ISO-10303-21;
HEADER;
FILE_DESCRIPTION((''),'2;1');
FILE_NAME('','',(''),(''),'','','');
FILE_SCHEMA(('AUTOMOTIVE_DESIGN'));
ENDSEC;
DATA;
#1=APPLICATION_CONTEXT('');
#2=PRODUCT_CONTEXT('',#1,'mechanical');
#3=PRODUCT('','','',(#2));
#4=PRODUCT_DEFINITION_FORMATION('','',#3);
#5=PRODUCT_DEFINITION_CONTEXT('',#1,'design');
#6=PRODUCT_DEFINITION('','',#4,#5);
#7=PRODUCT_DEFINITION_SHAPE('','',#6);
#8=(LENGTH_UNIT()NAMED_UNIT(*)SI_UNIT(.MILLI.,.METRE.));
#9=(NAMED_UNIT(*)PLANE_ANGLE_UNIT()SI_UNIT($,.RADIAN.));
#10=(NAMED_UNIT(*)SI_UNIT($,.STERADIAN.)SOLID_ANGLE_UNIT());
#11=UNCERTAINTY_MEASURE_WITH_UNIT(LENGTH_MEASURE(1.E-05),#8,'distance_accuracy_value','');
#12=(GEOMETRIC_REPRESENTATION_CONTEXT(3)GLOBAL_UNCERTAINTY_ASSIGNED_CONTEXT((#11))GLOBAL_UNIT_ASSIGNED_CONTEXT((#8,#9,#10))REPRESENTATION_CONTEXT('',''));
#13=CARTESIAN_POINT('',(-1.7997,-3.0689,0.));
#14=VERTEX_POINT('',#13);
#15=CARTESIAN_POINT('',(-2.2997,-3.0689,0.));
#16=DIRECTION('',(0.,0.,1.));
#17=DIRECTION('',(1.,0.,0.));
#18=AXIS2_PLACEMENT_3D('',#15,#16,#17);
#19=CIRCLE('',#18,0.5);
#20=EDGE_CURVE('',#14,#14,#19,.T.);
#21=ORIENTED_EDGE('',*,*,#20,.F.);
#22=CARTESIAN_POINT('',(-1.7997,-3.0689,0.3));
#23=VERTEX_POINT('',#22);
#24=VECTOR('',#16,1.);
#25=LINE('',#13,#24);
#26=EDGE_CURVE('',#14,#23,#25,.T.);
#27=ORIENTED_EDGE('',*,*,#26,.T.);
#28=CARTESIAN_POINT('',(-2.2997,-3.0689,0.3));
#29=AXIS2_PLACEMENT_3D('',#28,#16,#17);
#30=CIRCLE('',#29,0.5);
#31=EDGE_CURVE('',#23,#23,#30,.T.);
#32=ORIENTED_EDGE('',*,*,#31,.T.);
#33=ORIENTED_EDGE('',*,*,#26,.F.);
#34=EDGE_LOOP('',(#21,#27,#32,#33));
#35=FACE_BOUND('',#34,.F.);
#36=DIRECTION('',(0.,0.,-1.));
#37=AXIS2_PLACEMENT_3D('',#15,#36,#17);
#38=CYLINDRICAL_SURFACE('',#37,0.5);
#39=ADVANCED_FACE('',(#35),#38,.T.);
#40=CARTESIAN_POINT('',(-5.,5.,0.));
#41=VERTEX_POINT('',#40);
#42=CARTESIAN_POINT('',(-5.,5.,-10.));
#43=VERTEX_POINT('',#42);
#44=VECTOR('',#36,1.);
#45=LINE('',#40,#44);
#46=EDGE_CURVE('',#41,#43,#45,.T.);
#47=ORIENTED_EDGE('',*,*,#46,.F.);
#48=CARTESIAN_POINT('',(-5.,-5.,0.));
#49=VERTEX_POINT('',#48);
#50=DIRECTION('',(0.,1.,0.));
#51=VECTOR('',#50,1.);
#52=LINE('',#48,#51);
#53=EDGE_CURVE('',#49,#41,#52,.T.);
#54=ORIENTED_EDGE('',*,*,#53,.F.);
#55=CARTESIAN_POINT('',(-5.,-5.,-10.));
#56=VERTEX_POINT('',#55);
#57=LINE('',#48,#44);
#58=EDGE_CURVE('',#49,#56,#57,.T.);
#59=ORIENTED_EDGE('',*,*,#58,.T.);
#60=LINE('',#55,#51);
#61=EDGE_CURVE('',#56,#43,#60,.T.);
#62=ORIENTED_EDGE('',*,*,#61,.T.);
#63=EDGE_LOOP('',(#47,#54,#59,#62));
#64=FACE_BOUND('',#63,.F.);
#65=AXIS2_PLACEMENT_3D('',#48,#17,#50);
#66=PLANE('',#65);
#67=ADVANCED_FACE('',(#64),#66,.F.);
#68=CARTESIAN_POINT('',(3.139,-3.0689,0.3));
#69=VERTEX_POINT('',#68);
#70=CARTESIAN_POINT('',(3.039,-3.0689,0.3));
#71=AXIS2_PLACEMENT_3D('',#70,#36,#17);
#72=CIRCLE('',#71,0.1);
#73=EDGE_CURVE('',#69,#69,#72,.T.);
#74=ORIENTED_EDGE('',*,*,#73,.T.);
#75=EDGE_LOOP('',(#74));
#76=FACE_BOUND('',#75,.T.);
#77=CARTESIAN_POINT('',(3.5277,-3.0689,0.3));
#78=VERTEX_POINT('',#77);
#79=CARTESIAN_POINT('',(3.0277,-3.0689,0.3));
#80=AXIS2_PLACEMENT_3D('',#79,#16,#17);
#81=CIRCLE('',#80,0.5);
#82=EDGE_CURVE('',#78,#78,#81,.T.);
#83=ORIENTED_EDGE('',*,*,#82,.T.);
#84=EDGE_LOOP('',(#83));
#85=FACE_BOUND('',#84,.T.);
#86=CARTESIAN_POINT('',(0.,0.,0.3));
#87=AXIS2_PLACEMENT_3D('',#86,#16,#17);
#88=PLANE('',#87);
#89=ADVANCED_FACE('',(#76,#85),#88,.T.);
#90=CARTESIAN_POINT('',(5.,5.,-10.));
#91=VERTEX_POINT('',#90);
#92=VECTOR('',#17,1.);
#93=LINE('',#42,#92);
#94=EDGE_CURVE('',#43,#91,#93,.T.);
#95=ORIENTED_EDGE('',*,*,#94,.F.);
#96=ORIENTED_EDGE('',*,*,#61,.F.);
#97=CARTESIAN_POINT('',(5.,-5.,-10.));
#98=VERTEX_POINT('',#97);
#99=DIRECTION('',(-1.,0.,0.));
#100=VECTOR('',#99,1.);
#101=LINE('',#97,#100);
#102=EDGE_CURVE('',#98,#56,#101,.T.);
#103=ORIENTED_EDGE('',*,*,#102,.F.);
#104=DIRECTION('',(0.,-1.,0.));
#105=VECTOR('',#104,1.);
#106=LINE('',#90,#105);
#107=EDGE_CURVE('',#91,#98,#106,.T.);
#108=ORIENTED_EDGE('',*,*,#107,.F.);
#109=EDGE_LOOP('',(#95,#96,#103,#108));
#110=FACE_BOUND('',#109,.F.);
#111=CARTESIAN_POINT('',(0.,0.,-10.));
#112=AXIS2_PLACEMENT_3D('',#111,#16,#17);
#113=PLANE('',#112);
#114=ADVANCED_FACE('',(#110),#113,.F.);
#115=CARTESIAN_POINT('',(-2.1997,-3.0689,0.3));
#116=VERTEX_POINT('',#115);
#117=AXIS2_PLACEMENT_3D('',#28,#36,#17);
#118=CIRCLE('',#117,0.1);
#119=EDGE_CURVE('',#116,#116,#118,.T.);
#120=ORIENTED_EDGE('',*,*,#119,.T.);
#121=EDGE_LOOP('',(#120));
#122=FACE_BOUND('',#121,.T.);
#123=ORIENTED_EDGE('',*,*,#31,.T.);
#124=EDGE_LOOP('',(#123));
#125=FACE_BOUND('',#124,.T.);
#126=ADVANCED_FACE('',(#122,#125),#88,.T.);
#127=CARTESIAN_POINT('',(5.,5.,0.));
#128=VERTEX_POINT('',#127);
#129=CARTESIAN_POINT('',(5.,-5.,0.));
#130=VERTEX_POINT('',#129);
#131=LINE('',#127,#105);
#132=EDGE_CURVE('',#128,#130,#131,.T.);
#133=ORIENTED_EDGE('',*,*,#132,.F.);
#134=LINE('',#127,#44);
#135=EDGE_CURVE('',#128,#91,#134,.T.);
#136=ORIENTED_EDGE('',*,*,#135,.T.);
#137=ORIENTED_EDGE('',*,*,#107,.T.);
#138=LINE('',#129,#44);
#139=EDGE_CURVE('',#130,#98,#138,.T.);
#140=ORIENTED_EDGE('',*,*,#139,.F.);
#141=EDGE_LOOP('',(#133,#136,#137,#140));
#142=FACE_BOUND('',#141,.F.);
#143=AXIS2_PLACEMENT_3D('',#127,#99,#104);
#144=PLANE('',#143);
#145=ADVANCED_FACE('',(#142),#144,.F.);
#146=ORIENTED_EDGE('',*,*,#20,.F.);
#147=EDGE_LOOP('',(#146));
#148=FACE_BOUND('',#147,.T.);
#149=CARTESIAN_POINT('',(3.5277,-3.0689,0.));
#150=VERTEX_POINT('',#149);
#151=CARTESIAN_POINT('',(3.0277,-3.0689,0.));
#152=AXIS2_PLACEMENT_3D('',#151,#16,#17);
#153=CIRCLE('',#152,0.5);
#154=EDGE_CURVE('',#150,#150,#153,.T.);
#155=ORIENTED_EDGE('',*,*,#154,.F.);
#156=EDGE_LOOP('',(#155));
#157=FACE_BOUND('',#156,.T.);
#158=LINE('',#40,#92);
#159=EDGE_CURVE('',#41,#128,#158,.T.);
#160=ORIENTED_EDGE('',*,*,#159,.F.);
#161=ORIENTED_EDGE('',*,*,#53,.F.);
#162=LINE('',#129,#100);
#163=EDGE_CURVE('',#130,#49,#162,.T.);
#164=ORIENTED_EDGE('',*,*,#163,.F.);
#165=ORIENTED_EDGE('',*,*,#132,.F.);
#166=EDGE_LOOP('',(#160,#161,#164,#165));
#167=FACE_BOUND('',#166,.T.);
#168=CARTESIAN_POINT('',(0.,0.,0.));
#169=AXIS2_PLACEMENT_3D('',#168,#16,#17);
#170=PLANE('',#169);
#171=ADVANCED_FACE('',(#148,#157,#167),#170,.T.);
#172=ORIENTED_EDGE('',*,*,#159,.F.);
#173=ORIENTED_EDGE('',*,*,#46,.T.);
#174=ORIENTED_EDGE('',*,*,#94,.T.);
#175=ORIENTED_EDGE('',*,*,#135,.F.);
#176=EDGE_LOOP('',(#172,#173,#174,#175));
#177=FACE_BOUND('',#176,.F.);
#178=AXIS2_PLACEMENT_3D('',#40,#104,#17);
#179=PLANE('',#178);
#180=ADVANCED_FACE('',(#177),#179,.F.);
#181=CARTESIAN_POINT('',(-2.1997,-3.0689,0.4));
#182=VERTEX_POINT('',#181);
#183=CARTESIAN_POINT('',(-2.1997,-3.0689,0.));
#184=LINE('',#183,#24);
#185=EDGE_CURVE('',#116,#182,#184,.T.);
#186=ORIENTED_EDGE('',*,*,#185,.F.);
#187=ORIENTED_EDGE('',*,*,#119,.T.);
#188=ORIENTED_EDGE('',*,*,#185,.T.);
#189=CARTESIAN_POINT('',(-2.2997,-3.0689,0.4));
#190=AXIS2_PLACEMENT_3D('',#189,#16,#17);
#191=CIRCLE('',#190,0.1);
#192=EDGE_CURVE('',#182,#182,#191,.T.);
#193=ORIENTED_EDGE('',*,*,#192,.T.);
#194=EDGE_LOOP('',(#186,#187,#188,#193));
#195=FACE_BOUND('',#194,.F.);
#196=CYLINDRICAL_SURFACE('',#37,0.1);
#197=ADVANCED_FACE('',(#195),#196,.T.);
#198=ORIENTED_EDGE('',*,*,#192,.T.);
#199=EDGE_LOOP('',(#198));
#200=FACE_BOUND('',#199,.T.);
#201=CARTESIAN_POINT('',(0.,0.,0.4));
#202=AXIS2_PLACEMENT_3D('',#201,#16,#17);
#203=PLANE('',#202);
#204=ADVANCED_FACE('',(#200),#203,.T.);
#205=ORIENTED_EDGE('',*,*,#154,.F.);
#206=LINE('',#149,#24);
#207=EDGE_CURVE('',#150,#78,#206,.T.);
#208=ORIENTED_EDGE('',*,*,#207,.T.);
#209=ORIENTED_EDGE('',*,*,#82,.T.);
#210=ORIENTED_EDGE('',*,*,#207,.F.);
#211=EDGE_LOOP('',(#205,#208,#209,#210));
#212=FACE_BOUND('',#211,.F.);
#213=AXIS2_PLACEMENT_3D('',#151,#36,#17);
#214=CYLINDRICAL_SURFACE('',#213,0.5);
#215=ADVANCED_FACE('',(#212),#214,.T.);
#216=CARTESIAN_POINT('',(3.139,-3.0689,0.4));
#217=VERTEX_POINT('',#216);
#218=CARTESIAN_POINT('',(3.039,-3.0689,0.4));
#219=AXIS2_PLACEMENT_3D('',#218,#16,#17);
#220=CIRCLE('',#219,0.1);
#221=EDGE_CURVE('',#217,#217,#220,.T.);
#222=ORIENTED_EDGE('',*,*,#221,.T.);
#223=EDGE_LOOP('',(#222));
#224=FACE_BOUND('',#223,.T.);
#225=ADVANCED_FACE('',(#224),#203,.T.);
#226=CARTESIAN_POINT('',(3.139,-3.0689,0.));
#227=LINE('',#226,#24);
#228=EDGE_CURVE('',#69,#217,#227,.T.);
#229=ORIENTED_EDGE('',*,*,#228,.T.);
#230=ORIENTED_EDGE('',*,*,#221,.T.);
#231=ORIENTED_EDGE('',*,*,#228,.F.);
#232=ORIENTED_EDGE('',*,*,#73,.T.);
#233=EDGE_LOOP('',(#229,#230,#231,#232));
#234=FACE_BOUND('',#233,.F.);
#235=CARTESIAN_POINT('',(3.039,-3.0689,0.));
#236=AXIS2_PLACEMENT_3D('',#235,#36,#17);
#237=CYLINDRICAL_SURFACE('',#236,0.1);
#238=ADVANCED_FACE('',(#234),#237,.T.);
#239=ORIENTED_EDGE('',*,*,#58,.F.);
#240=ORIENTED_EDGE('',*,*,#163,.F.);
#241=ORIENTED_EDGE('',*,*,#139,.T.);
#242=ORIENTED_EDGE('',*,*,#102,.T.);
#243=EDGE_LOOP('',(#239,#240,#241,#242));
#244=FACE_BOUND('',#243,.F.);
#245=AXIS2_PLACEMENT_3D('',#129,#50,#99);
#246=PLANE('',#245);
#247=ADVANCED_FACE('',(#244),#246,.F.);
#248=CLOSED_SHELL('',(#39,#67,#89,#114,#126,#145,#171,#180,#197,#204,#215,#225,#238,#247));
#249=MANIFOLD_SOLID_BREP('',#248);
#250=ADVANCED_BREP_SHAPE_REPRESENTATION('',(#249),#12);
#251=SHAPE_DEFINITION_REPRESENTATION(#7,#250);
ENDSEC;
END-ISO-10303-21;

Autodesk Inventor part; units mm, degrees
ref_plane "YZ Plane" through (0, 0, 0) normal (1, 0, 0) x (0, 1, 0)
ref_plane "XZ Plane" through (0, 0, 0) normal (0, 1, 0) x (-1, 0, 0)
sketch "Эскиз1" plane through (0, 0, 0) normal (0, 0, 1) x (1, 0, 0)
  line L0 (-5, 5) -> (5, 5)
  line L1 (5, 5) -> (5, -5)
  line L2 (5, -5) -> (-5, -5)
  line L3 (-5, -5) -> (-5, 5)
  point P0 (0, 0)
  point P1 (0, 5)
  point P2 (5, 0)
  dimension "d0" = 10
  dimension "d1" = 10
extrude "Выдавливание1" add sketch "Эскиз1" against normal blind 10
sketch "Эскиз2" plane through (0, 0, 0) normal (0, 0, 1) x (1, 0, 0)
  line L0 (-4.6144, 4.1403) -> (8.1453, 4.1403) construction
  line L1 (8.1453, 4.1403) -> (8.1453, 2.1383) construction
  line L2 (8.1453, 2.1383) -> (-4.6144, 2.1383) construction
  line L3 (-4.6144, 2.1383) -> (-4.6144, 4.1403) construction
  point P0 (0, 0)
ref_plane "РабПлоскость1" through (0, 0, 0) normal (0, 0, 1) x (1, 0, 0)
sketch "Эскиз3" plane through (0, 0, 0) normal (0, 0, 1) x (1, 0, 0)
  circle A0 centre (-2.2997, -3.0689) radius 0.5
  circle A1 centre (3.0277, -3.0689) radius 0.5
  point P0 (0, 0)
  dimension "d5" = 1
  dimension "d6" = 1
extrude "Выдавливание2" add sketch "Эскиз3" along normal blind 0.3
sketch "Эскиз4" plane through (0, 0, 0) normal (0, 0, 1) x (1, 0, 0)
  circle A0 centre (-2.2997, -3.0689) radius 0.5 projected
  circle A1 centre (-2.2997, -3.0689) radius 0.1
  circle A2 centre (3.039, -3.0689) radius 0.1
  point P0 (0, 0)
  dimension "d9" = 0.2
  dimension "d10" = 0.2
extrude "Выдавливание3" add sketch "Эскиз4" along normal blind 0.4 contours A1 | A2
properties part number "rf-generator"
